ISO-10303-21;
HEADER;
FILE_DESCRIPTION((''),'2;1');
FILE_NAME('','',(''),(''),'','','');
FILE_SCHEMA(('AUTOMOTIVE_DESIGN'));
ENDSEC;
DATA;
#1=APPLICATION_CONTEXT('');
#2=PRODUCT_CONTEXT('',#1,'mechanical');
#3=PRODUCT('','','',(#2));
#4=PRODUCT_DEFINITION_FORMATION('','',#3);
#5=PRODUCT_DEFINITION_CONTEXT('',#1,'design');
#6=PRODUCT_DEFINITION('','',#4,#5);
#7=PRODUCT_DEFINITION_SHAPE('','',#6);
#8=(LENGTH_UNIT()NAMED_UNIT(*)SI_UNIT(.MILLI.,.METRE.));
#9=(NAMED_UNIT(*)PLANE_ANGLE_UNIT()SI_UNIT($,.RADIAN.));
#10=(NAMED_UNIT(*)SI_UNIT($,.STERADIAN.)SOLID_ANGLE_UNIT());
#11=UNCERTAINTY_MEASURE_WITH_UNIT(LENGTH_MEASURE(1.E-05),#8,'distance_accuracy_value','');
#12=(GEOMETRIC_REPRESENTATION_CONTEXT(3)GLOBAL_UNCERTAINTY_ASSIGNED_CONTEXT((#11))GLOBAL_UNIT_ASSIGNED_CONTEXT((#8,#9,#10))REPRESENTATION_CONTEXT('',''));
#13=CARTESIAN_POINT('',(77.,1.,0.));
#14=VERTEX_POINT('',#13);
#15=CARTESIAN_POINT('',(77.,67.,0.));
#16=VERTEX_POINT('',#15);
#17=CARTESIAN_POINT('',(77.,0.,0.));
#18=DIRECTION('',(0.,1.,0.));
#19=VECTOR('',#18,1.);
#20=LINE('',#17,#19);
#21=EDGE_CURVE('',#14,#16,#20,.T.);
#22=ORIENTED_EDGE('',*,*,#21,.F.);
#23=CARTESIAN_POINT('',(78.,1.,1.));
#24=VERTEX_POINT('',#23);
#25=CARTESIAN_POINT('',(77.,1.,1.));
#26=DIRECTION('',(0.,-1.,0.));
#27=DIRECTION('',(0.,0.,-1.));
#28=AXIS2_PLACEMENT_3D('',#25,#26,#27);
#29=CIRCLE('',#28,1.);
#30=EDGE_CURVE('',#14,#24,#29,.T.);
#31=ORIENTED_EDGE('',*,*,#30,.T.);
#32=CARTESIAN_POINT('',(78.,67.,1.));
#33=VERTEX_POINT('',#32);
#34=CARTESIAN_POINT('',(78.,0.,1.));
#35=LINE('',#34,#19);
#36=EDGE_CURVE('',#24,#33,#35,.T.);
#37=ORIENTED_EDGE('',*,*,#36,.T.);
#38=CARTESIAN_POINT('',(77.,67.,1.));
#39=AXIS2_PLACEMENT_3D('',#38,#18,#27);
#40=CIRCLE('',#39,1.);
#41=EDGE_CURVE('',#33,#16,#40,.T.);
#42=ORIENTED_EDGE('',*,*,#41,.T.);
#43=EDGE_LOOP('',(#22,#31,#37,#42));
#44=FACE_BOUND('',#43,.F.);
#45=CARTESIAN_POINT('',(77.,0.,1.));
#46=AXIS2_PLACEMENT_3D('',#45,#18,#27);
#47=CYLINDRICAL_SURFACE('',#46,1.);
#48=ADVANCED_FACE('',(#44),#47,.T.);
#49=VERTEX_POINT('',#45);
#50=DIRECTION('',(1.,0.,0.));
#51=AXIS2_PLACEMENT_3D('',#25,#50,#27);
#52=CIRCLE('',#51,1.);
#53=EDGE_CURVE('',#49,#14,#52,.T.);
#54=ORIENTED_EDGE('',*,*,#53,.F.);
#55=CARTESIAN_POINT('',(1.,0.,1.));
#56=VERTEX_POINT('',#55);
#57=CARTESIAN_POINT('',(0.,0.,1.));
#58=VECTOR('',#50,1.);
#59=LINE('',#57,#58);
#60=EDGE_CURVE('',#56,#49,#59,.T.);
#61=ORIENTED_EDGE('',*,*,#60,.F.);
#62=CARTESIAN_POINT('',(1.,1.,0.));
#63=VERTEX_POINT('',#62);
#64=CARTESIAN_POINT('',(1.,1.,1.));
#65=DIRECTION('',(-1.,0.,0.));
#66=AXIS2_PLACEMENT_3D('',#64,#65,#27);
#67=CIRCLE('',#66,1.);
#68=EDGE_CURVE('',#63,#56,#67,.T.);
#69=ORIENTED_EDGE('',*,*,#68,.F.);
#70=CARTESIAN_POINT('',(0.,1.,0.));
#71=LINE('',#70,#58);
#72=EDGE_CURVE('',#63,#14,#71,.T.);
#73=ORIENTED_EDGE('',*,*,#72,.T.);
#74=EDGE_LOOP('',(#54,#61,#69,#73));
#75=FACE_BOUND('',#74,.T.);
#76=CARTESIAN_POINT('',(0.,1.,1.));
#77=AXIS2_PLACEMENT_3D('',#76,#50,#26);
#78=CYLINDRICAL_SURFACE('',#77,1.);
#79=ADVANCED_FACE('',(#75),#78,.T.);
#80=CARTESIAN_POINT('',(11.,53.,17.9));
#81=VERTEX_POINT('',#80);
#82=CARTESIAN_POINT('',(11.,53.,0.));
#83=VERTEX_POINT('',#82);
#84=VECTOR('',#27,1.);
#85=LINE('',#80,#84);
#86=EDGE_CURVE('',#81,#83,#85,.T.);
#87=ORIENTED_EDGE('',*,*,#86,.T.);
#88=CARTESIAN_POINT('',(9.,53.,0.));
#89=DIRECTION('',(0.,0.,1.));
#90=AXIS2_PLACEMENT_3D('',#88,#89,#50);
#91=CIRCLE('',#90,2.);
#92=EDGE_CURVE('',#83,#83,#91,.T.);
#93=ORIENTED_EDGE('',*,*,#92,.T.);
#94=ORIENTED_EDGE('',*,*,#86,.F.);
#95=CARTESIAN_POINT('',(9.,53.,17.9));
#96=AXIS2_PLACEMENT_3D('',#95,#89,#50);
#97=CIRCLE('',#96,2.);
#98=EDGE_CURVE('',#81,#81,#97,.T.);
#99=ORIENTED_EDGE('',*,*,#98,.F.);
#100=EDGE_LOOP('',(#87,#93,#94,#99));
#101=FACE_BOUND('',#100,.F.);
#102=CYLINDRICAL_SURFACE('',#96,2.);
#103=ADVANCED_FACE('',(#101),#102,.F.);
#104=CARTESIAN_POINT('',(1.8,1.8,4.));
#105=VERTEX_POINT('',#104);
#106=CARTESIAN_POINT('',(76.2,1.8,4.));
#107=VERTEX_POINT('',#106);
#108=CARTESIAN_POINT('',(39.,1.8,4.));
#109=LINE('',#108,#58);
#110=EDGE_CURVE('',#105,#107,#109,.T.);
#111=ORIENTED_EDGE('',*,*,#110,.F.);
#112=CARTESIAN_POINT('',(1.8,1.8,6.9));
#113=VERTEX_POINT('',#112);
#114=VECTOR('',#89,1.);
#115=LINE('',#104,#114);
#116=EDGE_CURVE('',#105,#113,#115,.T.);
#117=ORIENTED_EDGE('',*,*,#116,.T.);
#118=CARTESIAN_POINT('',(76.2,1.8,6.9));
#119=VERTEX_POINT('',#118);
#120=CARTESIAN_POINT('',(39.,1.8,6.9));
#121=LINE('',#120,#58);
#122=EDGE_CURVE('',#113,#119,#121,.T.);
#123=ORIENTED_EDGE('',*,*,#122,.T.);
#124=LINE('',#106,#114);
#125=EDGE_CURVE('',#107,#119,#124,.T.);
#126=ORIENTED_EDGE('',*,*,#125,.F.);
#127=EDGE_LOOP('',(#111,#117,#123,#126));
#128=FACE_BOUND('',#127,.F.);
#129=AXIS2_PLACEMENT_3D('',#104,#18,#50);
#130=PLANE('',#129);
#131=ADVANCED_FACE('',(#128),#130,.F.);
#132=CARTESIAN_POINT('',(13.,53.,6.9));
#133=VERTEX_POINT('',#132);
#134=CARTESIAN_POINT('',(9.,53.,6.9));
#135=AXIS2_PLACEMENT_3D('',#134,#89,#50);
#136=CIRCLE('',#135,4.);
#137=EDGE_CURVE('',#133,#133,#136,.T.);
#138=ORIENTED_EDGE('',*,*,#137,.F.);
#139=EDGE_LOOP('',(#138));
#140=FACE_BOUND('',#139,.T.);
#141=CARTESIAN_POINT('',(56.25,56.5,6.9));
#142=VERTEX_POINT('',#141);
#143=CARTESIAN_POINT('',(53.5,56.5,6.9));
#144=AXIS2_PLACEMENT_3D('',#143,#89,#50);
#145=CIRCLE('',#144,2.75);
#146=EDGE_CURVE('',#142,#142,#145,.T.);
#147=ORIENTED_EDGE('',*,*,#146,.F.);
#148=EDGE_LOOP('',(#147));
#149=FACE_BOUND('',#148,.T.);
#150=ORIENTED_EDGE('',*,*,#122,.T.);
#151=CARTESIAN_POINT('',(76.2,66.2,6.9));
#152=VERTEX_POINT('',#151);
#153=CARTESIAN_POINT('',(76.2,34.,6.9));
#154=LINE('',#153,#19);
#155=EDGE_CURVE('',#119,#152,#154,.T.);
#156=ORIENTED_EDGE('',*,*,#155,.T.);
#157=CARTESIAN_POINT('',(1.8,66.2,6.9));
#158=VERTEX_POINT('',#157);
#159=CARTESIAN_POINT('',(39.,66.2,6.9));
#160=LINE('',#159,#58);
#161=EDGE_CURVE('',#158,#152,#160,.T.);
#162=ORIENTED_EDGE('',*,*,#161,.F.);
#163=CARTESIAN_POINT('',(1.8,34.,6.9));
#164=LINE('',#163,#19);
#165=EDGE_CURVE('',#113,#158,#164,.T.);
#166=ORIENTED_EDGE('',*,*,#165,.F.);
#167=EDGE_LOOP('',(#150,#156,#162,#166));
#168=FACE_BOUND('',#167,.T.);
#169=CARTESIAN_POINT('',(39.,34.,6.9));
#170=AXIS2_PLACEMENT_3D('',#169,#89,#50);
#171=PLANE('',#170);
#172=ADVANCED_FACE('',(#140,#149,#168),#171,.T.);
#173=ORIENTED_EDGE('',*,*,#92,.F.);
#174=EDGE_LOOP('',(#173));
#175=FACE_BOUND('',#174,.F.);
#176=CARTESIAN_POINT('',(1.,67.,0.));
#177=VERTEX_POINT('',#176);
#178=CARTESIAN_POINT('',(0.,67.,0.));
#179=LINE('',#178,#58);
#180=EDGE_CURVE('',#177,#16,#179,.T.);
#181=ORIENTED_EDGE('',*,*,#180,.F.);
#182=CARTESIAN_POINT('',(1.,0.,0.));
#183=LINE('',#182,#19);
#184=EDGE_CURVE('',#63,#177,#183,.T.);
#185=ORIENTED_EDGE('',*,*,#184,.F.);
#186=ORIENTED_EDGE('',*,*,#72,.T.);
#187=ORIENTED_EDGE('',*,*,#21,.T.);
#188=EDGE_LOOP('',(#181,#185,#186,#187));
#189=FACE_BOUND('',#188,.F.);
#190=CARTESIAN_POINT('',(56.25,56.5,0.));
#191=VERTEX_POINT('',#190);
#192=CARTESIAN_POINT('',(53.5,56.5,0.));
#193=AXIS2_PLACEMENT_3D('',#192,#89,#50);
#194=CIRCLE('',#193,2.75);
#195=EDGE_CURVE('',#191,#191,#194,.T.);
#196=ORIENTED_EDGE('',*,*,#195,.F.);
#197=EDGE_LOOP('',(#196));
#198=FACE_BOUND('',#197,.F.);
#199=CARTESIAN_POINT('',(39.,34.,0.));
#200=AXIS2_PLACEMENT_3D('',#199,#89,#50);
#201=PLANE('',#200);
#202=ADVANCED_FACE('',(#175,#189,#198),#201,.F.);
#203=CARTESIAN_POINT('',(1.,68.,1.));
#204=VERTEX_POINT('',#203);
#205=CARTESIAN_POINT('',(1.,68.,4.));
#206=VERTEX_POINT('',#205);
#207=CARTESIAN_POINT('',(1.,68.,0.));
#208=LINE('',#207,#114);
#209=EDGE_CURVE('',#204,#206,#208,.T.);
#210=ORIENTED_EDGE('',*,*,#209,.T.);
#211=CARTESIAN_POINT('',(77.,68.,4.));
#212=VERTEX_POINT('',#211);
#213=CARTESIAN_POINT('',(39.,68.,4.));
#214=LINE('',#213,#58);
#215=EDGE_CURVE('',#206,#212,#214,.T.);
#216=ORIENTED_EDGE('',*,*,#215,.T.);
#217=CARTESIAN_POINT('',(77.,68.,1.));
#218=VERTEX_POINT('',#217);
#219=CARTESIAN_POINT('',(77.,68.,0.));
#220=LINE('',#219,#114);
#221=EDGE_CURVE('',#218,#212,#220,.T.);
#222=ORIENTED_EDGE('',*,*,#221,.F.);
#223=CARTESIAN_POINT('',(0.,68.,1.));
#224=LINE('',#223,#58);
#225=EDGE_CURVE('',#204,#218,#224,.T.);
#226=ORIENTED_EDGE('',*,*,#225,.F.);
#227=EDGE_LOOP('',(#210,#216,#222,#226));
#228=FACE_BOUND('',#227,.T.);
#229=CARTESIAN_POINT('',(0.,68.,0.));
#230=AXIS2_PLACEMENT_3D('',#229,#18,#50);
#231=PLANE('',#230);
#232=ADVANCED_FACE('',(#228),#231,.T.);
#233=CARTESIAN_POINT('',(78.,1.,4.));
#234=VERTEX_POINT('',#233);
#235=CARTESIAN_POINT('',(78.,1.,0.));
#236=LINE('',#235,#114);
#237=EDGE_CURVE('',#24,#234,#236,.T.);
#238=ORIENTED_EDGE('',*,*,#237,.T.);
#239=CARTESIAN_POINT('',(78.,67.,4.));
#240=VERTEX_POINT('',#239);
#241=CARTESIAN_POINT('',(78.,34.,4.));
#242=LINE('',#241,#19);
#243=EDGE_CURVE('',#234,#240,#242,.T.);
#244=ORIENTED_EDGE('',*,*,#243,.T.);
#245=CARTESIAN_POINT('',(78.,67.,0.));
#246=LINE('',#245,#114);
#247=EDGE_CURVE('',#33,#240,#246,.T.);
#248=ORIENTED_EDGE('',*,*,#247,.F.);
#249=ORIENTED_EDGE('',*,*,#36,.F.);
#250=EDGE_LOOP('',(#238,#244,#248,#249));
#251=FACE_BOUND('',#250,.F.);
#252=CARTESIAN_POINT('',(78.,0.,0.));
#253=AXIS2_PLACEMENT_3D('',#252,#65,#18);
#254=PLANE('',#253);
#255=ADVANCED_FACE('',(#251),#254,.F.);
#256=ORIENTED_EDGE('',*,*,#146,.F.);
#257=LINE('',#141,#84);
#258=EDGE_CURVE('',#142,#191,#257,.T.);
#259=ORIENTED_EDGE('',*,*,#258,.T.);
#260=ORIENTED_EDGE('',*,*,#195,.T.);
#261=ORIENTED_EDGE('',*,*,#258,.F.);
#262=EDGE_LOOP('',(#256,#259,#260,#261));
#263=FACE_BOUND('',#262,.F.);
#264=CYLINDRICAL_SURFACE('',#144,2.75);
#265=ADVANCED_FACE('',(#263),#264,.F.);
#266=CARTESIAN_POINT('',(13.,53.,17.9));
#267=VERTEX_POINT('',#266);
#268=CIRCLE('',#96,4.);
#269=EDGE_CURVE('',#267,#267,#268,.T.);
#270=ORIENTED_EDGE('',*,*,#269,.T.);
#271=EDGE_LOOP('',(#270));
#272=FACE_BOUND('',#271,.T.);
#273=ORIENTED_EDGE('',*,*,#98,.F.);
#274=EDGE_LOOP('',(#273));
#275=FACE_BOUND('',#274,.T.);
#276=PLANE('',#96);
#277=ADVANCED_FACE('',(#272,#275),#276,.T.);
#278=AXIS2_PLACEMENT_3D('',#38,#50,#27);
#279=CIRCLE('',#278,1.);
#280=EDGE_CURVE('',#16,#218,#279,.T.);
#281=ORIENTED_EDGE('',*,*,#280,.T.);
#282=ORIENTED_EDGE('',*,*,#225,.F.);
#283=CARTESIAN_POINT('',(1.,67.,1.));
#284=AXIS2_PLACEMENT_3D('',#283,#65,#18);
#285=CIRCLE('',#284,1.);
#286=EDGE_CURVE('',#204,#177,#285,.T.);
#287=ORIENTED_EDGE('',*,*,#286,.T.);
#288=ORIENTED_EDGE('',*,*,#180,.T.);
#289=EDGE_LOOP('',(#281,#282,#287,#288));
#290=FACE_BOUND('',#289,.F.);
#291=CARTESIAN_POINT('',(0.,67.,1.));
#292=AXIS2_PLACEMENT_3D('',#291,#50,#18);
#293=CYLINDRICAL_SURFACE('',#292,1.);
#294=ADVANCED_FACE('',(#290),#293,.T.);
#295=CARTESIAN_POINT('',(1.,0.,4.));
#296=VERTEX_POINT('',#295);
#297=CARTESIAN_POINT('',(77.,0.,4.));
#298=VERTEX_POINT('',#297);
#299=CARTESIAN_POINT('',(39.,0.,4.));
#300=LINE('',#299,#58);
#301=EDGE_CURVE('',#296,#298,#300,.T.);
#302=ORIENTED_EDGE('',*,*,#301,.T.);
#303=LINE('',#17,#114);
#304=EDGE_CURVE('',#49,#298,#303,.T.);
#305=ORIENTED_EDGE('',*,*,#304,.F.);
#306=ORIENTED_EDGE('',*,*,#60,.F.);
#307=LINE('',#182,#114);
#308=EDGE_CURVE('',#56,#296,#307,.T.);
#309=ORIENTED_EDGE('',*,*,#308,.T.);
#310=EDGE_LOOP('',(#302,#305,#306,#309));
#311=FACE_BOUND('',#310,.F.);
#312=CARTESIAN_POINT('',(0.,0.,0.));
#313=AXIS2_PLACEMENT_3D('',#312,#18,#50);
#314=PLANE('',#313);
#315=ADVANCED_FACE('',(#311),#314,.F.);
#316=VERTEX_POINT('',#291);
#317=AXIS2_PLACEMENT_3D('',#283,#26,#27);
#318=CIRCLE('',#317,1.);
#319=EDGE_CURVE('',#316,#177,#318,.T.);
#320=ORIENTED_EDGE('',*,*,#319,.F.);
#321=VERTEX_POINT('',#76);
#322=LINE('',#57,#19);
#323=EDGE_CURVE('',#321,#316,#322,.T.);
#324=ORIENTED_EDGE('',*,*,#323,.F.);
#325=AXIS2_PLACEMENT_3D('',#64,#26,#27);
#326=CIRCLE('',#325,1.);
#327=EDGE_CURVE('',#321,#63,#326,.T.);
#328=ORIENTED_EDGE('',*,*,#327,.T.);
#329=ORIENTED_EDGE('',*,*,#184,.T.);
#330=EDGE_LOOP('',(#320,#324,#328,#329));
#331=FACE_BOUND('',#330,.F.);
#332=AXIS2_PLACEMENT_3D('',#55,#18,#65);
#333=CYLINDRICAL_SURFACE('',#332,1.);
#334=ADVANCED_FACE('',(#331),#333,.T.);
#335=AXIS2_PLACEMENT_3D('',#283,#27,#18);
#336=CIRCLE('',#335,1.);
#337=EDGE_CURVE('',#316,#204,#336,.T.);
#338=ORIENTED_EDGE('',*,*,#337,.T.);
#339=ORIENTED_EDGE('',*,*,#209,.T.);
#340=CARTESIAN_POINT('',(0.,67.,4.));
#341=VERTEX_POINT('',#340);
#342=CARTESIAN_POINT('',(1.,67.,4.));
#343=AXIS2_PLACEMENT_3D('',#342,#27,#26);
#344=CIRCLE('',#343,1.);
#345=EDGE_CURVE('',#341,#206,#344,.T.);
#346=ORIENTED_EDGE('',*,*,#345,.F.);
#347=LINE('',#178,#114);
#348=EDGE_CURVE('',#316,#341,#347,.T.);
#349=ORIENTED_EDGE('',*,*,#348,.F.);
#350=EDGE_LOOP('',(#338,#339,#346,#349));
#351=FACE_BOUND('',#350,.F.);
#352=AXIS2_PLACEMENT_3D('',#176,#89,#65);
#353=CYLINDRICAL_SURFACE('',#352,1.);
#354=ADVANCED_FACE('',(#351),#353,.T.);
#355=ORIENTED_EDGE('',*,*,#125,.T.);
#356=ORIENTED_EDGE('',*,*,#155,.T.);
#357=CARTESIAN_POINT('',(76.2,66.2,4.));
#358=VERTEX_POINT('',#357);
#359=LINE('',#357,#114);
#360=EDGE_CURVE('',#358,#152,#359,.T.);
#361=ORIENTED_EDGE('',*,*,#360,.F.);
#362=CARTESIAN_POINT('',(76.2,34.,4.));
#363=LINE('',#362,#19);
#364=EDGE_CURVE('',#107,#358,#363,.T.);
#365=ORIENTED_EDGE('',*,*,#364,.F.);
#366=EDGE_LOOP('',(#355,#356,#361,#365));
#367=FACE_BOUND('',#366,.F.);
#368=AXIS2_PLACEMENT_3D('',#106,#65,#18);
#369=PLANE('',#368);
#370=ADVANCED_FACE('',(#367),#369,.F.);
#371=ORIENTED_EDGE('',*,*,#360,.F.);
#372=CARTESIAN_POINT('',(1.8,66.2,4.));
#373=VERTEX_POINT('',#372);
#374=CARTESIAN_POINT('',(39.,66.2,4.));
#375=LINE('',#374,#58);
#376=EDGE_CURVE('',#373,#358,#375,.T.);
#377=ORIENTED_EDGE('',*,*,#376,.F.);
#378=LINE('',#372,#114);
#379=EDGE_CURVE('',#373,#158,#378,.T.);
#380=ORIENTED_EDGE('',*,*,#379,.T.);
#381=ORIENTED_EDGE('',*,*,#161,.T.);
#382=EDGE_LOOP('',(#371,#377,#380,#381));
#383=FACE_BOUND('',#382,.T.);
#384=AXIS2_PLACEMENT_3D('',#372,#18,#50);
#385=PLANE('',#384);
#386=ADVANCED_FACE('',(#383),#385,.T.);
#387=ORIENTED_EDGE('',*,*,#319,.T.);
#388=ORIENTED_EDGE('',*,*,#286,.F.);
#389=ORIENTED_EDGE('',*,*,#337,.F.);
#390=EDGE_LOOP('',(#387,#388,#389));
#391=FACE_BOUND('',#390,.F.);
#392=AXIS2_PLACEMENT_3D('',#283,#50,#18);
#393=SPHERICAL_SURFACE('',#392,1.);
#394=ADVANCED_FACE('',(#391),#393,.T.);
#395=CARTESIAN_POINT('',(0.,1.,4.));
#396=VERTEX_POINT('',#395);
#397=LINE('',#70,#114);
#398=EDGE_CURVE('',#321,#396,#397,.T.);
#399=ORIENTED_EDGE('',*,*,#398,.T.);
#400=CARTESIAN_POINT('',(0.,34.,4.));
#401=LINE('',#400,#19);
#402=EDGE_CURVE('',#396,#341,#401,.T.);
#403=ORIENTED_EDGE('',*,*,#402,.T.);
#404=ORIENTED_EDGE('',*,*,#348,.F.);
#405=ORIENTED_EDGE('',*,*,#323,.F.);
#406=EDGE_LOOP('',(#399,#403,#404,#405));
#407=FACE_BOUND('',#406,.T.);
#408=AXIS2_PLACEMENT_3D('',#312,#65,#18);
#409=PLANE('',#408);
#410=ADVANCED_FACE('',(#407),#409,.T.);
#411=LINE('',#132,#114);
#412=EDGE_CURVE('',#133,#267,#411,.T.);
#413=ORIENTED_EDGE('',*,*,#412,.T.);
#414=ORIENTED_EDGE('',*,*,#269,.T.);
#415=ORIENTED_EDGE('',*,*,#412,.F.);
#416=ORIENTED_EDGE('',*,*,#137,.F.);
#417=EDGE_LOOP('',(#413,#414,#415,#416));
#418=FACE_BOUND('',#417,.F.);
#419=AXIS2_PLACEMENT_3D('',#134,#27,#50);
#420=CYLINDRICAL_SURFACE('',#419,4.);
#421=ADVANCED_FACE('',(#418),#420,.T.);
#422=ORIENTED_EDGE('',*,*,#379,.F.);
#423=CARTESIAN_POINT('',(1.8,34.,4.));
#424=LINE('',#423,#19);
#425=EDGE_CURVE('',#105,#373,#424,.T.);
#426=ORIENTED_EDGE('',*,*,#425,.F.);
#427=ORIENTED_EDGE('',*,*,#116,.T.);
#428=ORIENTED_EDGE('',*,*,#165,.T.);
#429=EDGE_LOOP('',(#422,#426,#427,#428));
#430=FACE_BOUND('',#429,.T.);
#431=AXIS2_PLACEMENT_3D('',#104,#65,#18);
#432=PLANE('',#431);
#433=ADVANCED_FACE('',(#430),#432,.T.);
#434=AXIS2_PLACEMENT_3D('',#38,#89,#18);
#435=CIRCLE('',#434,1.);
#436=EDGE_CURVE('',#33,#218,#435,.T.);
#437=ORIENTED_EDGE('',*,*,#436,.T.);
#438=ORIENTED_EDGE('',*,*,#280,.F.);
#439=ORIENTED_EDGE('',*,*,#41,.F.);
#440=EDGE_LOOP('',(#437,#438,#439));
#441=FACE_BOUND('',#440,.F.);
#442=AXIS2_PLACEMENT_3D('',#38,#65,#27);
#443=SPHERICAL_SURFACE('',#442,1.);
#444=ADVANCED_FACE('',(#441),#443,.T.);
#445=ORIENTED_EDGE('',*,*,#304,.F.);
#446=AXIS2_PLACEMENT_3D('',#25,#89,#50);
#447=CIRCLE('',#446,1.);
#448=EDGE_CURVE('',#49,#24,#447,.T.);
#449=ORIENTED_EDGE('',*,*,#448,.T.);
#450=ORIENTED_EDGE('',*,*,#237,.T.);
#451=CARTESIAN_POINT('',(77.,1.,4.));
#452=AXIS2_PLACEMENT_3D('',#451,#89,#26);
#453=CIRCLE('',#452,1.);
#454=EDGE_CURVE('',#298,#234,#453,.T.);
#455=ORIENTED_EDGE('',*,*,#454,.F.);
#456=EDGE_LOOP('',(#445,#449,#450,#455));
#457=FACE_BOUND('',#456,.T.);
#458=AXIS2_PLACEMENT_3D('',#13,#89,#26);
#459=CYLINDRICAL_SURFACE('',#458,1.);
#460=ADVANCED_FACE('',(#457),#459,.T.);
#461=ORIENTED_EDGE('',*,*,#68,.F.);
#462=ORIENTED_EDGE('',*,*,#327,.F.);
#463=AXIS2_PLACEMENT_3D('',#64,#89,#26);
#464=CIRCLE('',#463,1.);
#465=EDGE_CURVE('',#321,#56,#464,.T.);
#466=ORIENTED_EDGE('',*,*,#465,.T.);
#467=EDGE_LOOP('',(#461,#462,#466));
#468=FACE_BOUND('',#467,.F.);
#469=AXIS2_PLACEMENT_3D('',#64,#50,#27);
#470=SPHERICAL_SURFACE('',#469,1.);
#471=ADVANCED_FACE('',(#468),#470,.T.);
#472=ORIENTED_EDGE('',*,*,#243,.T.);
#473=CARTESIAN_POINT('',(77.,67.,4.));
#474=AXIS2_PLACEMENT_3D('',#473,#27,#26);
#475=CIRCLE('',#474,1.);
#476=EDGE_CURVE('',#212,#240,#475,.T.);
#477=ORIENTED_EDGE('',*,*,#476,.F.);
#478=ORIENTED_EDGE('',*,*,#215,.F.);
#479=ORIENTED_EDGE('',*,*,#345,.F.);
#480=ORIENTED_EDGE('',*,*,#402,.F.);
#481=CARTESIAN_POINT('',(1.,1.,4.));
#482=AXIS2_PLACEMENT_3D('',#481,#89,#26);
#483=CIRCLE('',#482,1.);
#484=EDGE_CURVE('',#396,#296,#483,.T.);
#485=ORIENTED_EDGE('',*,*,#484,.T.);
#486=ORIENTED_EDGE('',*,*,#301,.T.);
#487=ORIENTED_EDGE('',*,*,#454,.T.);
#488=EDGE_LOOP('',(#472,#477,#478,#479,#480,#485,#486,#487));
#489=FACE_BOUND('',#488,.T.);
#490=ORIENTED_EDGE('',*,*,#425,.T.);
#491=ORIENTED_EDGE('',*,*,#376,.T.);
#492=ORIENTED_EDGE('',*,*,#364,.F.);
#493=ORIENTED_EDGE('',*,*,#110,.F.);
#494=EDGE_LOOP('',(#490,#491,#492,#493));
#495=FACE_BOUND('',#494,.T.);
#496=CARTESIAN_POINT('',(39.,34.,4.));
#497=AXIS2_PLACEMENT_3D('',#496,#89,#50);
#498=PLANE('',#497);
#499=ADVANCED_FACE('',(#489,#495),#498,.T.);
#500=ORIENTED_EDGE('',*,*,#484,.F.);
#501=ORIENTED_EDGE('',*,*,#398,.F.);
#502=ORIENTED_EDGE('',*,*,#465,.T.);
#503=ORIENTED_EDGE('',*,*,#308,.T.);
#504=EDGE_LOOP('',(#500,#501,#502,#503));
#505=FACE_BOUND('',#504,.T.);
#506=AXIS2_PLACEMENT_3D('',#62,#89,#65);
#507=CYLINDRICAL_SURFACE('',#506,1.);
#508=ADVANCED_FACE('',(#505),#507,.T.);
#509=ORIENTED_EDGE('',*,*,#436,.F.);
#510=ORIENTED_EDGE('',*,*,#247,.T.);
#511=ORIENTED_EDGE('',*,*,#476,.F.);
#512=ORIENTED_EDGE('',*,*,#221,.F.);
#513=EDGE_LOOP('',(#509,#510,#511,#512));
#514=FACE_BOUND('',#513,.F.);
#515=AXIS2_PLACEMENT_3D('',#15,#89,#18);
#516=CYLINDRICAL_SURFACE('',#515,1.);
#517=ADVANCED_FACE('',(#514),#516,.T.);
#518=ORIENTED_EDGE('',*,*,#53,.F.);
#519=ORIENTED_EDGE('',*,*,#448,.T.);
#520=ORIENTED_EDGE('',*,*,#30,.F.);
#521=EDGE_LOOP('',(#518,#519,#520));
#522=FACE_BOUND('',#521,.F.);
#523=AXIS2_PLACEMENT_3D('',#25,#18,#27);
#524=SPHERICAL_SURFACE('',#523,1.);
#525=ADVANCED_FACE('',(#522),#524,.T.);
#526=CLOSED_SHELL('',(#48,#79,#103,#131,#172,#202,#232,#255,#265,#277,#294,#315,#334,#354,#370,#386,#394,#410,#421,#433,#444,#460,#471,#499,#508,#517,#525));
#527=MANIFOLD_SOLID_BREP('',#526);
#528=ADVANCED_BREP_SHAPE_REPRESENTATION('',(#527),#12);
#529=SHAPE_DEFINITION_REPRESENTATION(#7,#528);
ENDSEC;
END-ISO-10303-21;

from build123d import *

# Parameters (mm, degrees)
SKETCH_W        = 78
SKETCH_H        = 68
PAD_DEPTH       = 4
SKETCH001_W     = 74.4
SKETCH001_H     = 64.4
PAD001_DEPTH    = 2.9
SKETCH002_R     = 4
PAD002_DEPTH    = 11
SKETCH003_R     = 2
POCKET_DEPTH    = 17.901
SKETCH004_R     = 2.75
POCKET001_DEPTH = 6.901
FILLET_R        = 1


with BuildPart() as part:
    # Sketch → Pad (new body)
    with BuildSketch(Plane.XY):
        with Locations((39, 34)):
            Rectangle(SKETCH_W, SKETCH_H)
    extrude(amount=PAD_DEPTH)

    # Sketch001 (on Face6 of Pad) → Pad001 (join)
    with BuildSketch(Plane.XY.offset(4)):
        with Locations((39, 34)):
            Rectangle(SKETCH001_W, SKETCH001_H)
    extrude(amount=PAD001_DEPTH)

    # Sketch002 (on Face11 of Pad001) → Pad002 (join)
    with BuildSketch(Plane.XY.offset(6.9)):
        with Locations((9, 53)):
            Circle(SKETCH002_R)
    extrude(amount=PAD002_DEPTH)

    # Sketch003 (on Face13 of Pad002) → Pocket (cut, through all)
    with BuildSketch(Plane.XY.offset(17.9)):
        with Locations((9, 53)):
            Circle(SKETCH003_R)
    extrude(amount=-POCKET_DEPTH, mode=Mode.SUBTRACT)

    # Sketch004 (on Face13 of Pocket) → Pocket001 (cut, through all)
    with BuildSketch(Plane.XY.offset(6.9)):
        with Locations((53.5, 56.5)):
            Circle(SKETCH004_R)
    extrude(amount=-POCKET001_DEPTH, mode=Mode.SUBTRACT)

    # Fillet
    fillet_edges = [part.edges().sort_by_distance(p)[0] for p in [
        (39, 68, 0),
        (78, 34, 0),
        (78, 68, 2),
        (0, 68, 2),
        (39, 0, 0),
        (0, 34, 0),
        (78, 0, 2),
        (0, 0, 2),
    ]]
    fillet(fillet_edges, radius=FILLET_R)


solid = part.part
